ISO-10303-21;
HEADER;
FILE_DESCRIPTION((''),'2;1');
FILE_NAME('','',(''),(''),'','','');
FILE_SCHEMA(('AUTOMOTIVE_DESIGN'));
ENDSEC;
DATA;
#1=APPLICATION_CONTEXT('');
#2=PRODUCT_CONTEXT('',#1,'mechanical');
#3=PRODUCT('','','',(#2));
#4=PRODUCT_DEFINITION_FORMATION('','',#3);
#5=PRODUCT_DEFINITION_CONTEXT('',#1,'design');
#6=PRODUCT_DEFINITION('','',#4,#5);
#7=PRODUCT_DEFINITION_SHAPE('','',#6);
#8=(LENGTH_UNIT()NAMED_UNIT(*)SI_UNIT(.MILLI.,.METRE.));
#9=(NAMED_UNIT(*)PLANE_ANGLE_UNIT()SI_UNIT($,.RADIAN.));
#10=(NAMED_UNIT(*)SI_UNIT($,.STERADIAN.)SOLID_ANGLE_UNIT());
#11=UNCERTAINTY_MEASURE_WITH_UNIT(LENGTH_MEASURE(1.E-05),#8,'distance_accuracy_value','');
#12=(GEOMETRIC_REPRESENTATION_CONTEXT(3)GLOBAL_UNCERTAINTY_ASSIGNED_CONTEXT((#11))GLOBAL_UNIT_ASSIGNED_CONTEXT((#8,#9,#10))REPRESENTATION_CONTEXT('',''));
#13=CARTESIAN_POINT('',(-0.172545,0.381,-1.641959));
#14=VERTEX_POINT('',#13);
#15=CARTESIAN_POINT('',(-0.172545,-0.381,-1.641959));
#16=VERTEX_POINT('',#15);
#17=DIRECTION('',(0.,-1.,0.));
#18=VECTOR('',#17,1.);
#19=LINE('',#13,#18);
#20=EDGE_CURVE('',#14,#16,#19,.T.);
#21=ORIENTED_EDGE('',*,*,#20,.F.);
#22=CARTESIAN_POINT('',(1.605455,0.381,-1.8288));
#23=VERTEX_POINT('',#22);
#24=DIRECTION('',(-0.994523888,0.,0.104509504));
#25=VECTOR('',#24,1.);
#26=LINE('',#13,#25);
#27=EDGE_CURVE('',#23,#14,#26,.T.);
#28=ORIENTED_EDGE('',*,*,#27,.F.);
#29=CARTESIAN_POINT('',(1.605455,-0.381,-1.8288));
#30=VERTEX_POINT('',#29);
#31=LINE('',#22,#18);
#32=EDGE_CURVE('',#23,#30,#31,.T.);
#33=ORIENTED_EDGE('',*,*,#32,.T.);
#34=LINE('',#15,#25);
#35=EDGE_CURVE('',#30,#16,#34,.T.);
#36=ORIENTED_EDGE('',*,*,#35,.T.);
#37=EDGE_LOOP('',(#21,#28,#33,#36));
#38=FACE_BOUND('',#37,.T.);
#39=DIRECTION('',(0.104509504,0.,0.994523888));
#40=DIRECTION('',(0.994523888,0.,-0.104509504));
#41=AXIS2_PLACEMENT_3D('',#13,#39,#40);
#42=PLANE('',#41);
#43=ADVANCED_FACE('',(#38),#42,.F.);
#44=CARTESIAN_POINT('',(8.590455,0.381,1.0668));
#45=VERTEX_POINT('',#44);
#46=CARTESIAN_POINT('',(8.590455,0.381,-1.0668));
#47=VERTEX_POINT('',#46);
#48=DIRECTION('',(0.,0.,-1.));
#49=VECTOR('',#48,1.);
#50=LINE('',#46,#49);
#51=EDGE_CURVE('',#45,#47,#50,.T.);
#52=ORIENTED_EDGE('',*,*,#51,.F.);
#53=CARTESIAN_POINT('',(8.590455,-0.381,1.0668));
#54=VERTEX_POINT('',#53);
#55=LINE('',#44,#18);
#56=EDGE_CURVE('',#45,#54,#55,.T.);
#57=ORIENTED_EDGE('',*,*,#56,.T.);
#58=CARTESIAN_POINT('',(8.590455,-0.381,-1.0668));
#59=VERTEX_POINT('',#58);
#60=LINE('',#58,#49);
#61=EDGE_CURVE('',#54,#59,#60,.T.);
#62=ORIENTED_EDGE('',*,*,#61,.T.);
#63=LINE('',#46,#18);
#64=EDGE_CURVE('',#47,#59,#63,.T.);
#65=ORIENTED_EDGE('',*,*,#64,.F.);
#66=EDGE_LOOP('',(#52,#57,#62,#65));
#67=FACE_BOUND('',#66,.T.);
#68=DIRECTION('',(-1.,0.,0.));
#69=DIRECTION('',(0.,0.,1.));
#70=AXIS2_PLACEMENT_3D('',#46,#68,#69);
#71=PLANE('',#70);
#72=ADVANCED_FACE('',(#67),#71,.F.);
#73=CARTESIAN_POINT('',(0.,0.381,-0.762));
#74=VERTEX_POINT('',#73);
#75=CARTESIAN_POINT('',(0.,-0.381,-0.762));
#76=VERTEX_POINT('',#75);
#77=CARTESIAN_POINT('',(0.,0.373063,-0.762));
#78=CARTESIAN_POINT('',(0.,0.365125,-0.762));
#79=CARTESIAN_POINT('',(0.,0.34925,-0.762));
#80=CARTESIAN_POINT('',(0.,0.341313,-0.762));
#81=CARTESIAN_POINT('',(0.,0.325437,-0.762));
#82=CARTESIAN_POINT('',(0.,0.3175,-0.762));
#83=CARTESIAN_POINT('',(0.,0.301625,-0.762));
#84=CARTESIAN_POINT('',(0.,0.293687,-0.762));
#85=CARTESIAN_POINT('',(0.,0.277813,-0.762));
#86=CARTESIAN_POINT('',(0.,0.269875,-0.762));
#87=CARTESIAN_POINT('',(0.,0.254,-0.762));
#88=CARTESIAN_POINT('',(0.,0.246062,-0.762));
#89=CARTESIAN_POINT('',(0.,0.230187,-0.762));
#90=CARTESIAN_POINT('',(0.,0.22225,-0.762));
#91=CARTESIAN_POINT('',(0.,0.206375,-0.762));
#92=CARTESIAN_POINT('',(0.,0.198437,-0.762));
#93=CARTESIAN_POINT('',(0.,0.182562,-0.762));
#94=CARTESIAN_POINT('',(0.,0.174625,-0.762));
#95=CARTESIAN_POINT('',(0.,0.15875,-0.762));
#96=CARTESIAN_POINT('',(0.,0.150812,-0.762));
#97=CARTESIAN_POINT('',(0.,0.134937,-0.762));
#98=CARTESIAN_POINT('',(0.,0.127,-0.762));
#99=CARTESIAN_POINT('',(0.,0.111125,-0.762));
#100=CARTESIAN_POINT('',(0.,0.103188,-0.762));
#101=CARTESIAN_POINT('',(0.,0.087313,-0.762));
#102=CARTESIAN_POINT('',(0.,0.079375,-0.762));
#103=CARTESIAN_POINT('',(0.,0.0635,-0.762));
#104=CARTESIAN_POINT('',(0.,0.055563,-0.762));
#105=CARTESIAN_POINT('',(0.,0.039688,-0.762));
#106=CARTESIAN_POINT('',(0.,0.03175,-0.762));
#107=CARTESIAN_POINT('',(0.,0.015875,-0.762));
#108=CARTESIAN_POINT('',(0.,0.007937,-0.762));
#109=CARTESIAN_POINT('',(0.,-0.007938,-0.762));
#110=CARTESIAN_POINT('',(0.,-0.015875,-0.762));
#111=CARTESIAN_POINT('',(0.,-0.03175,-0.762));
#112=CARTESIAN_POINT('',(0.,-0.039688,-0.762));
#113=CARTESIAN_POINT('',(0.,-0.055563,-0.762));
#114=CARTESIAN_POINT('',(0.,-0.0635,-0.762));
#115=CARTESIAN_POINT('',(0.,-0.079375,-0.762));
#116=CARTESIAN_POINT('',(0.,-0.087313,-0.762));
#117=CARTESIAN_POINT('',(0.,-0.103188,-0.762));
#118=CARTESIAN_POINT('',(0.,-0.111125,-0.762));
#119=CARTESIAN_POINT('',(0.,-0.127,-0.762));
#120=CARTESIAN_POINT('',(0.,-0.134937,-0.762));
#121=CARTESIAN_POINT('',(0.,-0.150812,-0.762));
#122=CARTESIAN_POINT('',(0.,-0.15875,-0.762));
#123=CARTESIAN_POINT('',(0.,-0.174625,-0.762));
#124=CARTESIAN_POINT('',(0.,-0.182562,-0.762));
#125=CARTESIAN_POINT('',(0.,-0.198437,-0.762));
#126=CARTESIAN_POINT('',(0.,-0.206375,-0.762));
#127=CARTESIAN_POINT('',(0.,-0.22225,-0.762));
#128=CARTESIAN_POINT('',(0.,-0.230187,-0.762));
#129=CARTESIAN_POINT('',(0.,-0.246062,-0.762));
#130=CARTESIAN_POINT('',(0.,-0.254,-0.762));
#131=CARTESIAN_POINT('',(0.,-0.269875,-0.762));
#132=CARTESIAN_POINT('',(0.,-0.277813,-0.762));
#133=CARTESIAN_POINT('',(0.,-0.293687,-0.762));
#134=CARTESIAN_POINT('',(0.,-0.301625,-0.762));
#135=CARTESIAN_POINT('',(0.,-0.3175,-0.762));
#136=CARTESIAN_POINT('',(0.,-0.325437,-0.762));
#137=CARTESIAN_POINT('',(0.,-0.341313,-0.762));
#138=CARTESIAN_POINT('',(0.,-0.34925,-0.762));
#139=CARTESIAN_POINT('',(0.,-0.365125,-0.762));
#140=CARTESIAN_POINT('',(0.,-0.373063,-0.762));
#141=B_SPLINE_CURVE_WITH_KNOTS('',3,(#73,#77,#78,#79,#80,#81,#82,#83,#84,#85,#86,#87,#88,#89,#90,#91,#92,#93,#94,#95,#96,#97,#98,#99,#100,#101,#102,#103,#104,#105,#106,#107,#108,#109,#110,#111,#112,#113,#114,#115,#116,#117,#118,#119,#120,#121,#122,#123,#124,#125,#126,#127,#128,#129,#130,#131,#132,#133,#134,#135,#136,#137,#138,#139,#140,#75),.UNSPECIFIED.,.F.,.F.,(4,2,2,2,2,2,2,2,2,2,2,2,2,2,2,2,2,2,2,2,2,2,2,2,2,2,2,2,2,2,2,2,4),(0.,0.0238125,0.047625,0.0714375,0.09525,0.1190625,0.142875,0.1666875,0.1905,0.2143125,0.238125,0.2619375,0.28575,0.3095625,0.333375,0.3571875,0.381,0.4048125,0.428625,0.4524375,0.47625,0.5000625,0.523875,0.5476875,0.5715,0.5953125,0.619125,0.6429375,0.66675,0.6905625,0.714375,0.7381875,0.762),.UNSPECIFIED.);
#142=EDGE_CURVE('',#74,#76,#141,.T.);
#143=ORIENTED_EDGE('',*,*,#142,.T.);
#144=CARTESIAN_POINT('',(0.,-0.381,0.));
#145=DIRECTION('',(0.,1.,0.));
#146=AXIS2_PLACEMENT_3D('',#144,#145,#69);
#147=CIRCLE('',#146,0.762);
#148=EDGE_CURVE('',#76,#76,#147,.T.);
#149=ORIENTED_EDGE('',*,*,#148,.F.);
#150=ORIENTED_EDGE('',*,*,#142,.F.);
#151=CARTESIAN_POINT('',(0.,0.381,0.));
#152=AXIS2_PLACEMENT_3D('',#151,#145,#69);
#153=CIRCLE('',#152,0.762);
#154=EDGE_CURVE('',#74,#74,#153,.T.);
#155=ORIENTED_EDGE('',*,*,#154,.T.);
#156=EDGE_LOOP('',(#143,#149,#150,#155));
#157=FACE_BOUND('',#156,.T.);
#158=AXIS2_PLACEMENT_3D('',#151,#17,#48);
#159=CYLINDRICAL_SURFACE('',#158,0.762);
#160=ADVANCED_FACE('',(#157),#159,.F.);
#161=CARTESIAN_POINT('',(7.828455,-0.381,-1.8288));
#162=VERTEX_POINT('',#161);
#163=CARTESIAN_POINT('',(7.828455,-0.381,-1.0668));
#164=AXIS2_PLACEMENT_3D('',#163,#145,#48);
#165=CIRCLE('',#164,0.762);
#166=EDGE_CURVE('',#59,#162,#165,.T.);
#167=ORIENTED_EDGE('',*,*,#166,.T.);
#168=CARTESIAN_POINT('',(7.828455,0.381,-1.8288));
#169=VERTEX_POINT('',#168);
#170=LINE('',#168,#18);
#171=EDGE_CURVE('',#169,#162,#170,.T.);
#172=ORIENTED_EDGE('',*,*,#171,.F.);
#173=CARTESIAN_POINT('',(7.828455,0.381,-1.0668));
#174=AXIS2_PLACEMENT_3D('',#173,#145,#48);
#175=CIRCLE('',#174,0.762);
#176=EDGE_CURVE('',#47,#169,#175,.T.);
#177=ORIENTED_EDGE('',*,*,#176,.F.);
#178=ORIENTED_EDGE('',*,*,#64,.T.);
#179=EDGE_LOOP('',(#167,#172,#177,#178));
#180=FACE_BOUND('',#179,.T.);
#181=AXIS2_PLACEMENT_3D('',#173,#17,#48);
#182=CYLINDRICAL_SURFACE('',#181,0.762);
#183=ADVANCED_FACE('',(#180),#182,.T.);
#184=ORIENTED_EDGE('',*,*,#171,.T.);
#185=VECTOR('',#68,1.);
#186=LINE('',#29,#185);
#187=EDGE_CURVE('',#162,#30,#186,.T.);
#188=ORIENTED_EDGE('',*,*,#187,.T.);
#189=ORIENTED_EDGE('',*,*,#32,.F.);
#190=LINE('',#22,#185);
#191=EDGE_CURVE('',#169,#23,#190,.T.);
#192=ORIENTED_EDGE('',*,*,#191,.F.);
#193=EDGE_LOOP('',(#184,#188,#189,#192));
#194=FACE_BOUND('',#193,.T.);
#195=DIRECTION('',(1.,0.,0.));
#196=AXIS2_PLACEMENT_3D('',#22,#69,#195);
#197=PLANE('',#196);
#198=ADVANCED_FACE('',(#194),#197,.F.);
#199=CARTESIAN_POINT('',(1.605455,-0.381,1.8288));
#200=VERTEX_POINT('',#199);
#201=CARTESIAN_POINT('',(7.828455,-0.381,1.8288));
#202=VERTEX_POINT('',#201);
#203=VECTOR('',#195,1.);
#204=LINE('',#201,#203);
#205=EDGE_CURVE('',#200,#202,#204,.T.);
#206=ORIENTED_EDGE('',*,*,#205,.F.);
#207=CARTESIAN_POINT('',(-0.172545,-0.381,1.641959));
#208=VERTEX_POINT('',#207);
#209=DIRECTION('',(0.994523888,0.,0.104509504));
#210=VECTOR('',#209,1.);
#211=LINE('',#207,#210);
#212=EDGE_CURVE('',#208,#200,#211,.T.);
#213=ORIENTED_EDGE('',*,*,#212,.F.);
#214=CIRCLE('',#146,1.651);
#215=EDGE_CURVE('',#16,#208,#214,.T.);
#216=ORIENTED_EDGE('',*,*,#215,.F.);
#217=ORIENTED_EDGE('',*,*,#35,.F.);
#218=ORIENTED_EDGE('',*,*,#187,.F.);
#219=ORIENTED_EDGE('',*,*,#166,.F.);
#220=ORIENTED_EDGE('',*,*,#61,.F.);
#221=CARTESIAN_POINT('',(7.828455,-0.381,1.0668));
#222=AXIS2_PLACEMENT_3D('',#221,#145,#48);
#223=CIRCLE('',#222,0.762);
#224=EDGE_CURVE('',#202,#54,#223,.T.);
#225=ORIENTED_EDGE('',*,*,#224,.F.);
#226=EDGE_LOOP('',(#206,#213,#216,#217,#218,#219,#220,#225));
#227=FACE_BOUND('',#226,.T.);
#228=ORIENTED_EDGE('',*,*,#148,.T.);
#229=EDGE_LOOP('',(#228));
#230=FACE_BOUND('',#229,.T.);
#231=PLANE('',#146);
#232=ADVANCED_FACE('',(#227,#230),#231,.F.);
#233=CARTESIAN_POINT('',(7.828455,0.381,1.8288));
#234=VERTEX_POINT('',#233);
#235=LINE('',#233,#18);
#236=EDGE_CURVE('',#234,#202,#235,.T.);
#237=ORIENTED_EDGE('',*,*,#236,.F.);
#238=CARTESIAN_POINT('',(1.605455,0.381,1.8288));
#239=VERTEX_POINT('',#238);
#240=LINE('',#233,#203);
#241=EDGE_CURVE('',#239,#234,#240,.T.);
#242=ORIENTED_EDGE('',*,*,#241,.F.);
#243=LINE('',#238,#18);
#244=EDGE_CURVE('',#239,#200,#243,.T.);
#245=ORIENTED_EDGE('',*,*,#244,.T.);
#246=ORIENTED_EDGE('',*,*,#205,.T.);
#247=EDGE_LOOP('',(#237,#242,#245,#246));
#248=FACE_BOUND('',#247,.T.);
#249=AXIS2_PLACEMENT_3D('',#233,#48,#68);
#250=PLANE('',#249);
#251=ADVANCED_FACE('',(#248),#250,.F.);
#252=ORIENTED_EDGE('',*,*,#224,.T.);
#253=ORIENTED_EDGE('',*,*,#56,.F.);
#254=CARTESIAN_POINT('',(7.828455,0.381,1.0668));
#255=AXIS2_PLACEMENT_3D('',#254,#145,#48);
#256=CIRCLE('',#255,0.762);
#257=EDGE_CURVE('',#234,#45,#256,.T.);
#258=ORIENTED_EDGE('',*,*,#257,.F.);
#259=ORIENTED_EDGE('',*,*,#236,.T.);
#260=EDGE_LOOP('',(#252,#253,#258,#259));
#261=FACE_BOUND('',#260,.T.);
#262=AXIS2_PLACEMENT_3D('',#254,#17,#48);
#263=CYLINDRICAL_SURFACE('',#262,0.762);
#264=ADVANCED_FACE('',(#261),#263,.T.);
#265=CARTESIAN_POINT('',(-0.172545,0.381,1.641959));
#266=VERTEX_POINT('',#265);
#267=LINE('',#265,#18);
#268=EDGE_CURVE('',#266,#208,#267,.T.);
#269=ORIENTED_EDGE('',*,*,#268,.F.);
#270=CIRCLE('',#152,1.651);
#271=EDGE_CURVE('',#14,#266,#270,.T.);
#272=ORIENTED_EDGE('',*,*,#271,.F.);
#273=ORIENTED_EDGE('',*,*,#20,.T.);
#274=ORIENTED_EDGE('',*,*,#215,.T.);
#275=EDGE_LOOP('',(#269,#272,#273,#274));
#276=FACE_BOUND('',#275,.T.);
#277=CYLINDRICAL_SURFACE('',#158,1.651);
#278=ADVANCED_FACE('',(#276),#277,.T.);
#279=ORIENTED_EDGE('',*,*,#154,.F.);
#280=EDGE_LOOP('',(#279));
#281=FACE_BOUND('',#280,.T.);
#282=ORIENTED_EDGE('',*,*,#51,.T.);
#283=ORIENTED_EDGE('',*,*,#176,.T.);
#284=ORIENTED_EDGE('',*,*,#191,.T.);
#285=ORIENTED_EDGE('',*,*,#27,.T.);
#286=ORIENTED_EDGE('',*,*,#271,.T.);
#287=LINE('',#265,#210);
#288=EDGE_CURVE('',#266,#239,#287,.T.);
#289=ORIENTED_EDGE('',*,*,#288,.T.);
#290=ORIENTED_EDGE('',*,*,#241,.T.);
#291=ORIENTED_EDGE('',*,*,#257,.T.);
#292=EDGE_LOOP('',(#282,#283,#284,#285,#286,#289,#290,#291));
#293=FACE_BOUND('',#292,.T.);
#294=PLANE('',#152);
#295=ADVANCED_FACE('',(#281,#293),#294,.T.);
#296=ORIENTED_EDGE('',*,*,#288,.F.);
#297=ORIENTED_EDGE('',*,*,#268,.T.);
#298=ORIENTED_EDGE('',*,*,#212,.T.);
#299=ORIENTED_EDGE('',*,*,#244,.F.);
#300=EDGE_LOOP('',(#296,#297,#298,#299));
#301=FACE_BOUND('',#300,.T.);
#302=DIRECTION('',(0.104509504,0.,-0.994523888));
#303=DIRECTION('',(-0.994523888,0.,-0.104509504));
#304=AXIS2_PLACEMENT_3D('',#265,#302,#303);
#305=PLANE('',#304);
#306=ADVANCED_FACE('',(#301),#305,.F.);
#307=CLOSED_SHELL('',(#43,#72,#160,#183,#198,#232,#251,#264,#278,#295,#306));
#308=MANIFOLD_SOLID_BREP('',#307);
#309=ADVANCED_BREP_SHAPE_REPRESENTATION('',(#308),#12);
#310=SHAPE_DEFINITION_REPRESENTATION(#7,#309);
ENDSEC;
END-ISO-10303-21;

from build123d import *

# Parameters (mm, degrees)
SKETCH1_R           = 0.762
BOSS_EXTRUDE1_DEPTH = 0.381


with BuildPart() as part:
    # Sketch1 → Boss-Extrude1 (new, symmetric)
    with BuildSketch(Plane(origin=(0, 0, 0), x_dir=(1, 0, 0), z_dir=(0, 1, 0))):
        with BuildLine():
            Line((-0.172545192, 1.641958939), (1.605454808, 1.8288))
            Line((1.605454808, 1.8288), (7.828454808, 1.8288))
            ThreePointArc((7.828454808, 1.8288), (8.367270176, 1.605615367), (8.590454808, 1.0668))
            Line((8.590454808, 1.0668), (8.590454808, -1.0668))
            ThreePointArc((8.590454808, -1.0668), (8.367270176, -1.605615367), (7.828454808, -1.8288))
            Line((7.828454808, -1.8288), (1.605454808, -1.8288))
            Line((1.605454808, -1.8288), (-0.172545192, -1.641958939))
            ThreePointArc((-0.172545192, -1.641958939), (-1.651, 0), (-0.172545192, 1.641958939))
        make_face()
        with Locations(Location((0, 0, 0), (0, 0, 90))):
            Circle(SKETCH1_R, mode=Mode.SUBTRACT)
    extrude(amount=BOSS_EXTRUDE1_DEPTH, both=True)


solid = part.part
